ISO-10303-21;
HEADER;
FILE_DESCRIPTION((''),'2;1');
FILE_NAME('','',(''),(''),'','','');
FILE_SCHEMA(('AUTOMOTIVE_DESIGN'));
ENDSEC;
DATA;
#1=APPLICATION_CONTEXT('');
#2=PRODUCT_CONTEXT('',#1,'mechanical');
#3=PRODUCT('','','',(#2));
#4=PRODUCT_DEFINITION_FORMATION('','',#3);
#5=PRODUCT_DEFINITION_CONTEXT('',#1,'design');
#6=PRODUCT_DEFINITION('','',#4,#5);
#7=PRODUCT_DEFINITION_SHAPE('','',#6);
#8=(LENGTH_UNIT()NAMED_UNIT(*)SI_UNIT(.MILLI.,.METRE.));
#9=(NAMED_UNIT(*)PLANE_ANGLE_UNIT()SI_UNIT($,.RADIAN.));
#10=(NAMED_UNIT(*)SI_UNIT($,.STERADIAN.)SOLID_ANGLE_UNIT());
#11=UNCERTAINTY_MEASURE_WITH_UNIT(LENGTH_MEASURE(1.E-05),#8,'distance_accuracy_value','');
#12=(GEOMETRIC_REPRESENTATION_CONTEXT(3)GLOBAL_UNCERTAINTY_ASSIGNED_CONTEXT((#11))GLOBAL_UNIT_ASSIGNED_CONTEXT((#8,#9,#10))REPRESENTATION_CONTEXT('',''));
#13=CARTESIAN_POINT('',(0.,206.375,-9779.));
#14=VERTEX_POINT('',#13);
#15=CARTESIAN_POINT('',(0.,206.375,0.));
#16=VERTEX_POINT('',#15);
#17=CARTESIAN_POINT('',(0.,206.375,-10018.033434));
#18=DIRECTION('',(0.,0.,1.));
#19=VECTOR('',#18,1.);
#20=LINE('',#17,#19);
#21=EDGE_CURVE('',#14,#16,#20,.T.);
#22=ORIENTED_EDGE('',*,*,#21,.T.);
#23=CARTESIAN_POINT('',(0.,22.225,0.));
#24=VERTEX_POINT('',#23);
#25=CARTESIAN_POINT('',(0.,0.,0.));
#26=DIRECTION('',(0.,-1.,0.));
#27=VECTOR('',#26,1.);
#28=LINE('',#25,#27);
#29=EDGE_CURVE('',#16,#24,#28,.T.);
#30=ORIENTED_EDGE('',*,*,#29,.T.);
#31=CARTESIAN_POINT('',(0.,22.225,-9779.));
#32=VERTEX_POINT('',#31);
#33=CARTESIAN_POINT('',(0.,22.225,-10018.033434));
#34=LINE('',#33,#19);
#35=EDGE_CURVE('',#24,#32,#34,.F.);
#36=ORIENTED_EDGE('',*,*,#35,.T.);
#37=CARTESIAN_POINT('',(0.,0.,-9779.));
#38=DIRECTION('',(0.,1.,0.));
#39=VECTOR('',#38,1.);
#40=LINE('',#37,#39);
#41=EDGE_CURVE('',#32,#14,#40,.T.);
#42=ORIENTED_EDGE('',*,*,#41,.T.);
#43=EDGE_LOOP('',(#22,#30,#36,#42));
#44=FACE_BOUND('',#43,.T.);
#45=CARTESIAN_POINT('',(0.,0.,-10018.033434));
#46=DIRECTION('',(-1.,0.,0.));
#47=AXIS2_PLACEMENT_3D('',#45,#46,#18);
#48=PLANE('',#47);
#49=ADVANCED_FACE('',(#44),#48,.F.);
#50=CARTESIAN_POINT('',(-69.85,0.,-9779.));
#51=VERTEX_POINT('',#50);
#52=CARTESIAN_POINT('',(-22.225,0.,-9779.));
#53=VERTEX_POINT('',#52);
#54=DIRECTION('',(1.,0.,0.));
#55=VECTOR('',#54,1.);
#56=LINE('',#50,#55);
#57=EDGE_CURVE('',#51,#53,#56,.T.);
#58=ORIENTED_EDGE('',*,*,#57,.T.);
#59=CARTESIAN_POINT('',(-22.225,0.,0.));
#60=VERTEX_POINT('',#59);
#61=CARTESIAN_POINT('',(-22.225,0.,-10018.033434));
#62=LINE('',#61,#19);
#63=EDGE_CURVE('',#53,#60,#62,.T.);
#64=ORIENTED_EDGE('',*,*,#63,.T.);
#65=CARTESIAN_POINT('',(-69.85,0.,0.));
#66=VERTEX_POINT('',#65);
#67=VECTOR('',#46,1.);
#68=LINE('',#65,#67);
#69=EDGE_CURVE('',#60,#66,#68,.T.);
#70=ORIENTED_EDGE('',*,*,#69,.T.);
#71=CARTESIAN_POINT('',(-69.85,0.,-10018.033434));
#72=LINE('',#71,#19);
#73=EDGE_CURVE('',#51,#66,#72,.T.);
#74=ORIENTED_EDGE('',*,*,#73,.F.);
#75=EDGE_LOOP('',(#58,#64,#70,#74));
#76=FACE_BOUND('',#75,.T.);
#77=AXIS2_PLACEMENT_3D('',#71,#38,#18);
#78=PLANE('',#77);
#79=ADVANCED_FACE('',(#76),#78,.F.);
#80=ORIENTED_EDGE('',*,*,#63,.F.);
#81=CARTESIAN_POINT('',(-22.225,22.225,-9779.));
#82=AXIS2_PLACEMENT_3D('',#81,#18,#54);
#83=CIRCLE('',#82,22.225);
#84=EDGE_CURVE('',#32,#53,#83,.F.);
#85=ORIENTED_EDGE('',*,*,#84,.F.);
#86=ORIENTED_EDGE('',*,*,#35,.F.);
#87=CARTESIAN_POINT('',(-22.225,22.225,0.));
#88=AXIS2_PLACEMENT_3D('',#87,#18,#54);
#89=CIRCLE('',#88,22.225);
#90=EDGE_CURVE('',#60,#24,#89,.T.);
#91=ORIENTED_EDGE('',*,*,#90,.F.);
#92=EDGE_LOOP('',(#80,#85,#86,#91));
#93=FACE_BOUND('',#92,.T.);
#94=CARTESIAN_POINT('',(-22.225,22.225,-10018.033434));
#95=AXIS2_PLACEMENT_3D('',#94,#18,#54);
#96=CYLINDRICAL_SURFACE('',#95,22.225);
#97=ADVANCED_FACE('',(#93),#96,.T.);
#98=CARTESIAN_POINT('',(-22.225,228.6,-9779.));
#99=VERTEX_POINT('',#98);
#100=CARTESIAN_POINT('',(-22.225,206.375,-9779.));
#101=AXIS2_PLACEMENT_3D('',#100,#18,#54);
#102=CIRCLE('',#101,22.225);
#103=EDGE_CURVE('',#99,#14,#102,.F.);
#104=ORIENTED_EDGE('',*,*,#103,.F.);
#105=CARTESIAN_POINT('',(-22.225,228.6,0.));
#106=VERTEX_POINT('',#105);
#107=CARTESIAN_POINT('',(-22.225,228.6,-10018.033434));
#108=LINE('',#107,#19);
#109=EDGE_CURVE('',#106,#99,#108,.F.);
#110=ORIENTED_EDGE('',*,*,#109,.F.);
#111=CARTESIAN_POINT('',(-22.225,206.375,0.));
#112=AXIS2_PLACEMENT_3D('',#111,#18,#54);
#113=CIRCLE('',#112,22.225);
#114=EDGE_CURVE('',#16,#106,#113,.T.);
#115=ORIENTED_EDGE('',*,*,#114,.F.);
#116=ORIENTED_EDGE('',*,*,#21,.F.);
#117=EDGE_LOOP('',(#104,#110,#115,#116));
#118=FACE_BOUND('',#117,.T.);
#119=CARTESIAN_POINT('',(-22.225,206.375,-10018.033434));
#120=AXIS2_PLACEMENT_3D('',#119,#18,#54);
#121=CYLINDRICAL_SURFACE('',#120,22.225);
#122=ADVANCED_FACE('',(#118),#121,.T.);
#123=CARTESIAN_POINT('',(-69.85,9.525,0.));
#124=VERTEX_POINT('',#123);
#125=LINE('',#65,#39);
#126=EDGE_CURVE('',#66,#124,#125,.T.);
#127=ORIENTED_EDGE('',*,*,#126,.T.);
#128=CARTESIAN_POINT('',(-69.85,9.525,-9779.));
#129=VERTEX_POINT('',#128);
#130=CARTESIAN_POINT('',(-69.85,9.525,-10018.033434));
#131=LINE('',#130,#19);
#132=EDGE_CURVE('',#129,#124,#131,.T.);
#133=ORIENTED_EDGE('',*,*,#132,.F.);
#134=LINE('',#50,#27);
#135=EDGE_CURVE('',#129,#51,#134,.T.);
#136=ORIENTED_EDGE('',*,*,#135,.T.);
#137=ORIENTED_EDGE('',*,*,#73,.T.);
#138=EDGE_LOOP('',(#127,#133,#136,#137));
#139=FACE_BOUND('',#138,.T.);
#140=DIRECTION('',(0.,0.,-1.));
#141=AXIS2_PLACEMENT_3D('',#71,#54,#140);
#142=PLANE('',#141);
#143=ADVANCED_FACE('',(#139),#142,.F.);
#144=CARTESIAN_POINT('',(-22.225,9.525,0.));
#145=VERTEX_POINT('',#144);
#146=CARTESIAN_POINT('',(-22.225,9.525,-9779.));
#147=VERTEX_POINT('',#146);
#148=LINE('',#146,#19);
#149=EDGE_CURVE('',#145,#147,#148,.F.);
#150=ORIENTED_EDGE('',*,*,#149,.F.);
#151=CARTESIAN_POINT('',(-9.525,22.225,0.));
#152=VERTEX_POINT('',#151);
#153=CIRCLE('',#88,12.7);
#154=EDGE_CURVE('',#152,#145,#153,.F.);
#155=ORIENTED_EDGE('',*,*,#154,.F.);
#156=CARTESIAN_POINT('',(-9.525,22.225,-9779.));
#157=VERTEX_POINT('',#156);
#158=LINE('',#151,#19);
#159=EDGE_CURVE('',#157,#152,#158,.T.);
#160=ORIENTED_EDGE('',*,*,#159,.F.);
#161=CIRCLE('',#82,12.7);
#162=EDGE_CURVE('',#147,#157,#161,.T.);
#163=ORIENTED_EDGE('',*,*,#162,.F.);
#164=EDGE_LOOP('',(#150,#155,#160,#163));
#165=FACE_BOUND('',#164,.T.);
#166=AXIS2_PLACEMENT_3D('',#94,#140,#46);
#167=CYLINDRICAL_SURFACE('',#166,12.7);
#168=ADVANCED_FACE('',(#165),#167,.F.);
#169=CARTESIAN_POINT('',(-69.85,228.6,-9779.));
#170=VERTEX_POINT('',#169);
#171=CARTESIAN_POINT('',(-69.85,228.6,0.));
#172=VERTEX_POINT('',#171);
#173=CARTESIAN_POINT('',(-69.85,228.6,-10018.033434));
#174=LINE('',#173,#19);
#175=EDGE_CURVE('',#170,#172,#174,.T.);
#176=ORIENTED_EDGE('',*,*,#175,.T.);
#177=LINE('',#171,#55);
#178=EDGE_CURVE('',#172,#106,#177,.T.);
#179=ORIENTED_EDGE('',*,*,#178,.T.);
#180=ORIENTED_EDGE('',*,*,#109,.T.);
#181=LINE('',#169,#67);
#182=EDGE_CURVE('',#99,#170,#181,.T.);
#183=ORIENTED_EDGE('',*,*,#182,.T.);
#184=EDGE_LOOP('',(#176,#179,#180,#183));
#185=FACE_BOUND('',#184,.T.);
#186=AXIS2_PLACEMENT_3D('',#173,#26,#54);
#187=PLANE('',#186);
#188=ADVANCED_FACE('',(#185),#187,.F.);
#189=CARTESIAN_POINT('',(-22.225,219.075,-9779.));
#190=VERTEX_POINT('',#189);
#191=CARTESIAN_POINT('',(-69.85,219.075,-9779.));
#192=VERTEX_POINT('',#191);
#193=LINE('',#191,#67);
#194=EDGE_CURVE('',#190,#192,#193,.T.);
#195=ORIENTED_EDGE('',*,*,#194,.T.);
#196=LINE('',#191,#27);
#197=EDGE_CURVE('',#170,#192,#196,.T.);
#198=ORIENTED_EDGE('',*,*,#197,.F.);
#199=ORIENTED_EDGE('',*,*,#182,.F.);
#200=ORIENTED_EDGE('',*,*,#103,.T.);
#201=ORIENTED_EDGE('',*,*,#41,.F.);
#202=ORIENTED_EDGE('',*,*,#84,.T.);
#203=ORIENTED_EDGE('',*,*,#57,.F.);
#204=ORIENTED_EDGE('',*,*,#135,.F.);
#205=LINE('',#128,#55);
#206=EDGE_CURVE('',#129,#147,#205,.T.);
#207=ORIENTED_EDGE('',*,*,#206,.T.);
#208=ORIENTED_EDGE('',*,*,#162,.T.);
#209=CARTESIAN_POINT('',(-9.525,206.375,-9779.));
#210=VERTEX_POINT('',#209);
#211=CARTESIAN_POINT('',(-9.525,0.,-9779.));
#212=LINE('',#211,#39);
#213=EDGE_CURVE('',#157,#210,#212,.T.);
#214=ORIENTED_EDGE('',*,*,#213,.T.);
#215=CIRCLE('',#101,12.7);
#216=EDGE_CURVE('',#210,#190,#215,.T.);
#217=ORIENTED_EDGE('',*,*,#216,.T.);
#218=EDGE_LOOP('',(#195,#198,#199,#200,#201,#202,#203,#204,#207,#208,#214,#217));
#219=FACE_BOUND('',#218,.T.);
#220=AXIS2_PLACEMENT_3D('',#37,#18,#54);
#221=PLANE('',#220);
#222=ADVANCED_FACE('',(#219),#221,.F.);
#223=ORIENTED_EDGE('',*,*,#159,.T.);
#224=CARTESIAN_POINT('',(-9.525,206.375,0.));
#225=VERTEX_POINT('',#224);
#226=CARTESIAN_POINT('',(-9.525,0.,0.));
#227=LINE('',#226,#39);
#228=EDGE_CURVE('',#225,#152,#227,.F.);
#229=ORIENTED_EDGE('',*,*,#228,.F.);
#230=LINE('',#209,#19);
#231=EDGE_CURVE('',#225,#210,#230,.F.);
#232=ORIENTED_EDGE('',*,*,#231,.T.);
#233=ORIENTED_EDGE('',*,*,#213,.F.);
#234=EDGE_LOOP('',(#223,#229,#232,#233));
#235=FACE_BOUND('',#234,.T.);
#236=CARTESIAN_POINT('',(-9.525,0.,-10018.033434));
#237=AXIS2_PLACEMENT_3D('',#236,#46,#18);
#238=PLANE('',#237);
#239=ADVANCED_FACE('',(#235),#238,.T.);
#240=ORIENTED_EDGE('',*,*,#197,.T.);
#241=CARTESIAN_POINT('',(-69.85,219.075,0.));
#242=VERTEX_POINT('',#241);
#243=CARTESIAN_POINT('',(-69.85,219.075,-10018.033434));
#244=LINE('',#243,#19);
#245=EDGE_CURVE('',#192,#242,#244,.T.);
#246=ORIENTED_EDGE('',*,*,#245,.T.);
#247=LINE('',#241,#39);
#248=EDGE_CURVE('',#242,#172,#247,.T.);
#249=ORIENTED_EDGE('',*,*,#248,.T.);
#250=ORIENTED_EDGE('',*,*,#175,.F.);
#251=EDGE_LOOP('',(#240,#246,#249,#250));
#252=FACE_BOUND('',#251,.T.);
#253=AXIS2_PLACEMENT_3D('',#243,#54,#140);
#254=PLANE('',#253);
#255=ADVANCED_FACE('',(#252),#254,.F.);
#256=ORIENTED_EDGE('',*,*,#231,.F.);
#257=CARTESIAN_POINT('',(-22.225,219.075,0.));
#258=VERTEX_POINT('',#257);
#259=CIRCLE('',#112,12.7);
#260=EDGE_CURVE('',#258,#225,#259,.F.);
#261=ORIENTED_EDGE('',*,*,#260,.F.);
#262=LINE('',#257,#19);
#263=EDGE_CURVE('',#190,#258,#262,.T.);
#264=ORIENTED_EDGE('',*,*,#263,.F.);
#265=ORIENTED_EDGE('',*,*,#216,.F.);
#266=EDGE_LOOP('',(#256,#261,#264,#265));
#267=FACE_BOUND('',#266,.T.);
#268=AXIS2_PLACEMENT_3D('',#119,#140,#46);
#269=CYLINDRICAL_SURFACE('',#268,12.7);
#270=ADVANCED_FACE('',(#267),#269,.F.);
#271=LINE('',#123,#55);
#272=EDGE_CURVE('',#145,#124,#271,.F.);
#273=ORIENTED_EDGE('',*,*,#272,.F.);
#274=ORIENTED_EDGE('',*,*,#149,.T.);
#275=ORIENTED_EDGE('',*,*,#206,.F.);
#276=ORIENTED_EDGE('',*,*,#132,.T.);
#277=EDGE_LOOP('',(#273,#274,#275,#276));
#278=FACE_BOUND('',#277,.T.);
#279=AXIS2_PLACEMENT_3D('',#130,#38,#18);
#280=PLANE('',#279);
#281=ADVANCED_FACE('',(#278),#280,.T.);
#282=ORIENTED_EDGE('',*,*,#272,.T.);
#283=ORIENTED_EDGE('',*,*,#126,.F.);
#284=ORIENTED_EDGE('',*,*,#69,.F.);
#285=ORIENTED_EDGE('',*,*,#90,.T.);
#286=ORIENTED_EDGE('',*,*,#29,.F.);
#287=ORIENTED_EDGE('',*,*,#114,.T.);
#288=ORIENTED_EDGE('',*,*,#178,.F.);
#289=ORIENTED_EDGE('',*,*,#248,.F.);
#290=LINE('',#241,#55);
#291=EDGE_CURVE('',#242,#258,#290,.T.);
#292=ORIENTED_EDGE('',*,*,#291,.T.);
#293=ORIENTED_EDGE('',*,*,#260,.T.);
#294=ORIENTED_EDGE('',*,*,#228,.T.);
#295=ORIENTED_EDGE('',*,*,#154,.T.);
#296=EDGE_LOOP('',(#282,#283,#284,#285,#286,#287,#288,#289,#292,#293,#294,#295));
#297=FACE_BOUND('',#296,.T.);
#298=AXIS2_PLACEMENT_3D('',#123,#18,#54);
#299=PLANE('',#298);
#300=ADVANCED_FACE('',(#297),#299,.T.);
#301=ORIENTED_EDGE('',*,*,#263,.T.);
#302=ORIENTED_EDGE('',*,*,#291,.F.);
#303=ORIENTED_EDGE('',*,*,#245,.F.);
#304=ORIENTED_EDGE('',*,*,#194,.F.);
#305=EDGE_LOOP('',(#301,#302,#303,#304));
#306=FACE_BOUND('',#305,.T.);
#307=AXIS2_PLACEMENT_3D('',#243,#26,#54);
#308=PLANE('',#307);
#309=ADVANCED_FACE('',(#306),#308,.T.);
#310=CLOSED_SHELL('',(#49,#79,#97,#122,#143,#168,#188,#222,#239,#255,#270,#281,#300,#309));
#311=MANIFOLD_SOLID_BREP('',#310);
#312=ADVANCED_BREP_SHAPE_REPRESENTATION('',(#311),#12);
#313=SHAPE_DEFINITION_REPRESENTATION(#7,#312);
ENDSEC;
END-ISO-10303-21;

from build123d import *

# Parameters (mm, degrees)
BASE_EXTRUDE_THIN_DEPTH = 9779
INSIDE_BEND_RADIUS_R    = 12.7
OUTSIDE_BEND_RADIUS_R   = 22.225


with BuildPart() as part:
    # Sketch1 → Base-Extrude-Thin (new body)
    with BuildSketch(Plane.XY):
        Polygon((-69.85, 0), (0, 0), (0, 228.6), (-69.85, 228.6), (-69.85, 219.075), (-9.525, 219.075), (-9.525, 9.525), (-69.85, 9.525), align=None)
    extrude(amount=-BASE_EXTRUDE_THIN_DEPTH)

    # Inside Bend Radius
    inside_bend_radius_edges = [part.edges().sort_by_distance(p)[0] for p in [
        (-9.525, 219.075, -4889.5),
        (-9.525, 9.525, -4889.5),
    ]]
    fillet(inside_bend_radius_edges, radius=INSIDE_BEND_RADIUS_R)

    # Outside Bend Radius
    outside_bend_radius_edges = [part.edges().sort_by_distance(p)[0] for p in [
        (0, 0, -4889.5),
        (0, 228.6, -4889.5),
    ]]
    fillet(outside_bend_radius_edges, radius=OUTSIDE_BEND_RADIUS_R)


solid = part.part
